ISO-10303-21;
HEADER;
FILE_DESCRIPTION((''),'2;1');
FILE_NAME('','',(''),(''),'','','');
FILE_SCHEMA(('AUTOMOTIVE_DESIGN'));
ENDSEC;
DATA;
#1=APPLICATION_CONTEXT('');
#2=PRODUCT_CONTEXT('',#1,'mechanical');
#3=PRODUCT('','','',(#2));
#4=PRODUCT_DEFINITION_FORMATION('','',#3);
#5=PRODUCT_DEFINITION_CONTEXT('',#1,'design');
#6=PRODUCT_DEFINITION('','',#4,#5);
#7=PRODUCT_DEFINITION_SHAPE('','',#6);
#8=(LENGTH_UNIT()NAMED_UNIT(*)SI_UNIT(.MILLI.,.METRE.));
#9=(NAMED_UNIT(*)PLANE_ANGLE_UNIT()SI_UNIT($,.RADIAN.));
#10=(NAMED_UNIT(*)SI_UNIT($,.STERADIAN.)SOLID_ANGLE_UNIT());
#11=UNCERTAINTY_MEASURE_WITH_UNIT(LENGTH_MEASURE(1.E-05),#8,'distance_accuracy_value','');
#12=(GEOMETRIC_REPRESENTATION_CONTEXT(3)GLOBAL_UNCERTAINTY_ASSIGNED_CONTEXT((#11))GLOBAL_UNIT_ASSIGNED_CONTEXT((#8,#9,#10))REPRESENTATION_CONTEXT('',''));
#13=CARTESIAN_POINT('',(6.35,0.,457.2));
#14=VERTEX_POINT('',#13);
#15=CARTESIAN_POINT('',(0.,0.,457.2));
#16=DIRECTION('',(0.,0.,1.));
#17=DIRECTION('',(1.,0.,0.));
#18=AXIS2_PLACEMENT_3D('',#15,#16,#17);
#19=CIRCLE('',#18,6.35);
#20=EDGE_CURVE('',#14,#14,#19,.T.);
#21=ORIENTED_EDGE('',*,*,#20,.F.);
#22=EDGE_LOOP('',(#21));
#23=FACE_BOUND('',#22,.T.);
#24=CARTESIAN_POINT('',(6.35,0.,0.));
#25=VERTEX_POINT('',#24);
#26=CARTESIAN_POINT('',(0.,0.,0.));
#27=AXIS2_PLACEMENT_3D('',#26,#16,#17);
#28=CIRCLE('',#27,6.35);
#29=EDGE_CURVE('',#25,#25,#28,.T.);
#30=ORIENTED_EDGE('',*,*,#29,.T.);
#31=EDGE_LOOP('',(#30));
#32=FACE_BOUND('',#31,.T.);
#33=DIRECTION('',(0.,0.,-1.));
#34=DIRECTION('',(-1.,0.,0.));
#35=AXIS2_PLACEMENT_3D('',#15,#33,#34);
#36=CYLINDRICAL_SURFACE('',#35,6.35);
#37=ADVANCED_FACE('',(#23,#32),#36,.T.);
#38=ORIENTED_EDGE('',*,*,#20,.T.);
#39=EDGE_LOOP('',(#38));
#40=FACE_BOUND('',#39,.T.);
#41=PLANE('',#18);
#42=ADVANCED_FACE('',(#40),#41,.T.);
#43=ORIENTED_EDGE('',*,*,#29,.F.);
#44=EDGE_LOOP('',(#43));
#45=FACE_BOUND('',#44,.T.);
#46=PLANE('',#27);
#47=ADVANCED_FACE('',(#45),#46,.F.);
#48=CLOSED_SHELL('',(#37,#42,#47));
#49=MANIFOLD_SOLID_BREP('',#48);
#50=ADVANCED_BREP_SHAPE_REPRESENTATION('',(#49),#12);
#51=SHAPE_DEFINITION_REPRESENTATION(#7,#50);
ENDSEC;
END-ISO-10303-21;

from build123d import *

# Parameters (mm, degrees)
SKETCH1_R           = 6.35
BOSS_EXTRUDE1_DEPTH = 457.2


with BuildPart() as part:
    # Sketch1 → Boss-Extrude1 (new body)
    with BuildSketch(Plane.XY):
        Circle(SKETCH1_R)
    extrude(amount=BOSS_EXTRUDE1_DEPTH)


solid = part.part
